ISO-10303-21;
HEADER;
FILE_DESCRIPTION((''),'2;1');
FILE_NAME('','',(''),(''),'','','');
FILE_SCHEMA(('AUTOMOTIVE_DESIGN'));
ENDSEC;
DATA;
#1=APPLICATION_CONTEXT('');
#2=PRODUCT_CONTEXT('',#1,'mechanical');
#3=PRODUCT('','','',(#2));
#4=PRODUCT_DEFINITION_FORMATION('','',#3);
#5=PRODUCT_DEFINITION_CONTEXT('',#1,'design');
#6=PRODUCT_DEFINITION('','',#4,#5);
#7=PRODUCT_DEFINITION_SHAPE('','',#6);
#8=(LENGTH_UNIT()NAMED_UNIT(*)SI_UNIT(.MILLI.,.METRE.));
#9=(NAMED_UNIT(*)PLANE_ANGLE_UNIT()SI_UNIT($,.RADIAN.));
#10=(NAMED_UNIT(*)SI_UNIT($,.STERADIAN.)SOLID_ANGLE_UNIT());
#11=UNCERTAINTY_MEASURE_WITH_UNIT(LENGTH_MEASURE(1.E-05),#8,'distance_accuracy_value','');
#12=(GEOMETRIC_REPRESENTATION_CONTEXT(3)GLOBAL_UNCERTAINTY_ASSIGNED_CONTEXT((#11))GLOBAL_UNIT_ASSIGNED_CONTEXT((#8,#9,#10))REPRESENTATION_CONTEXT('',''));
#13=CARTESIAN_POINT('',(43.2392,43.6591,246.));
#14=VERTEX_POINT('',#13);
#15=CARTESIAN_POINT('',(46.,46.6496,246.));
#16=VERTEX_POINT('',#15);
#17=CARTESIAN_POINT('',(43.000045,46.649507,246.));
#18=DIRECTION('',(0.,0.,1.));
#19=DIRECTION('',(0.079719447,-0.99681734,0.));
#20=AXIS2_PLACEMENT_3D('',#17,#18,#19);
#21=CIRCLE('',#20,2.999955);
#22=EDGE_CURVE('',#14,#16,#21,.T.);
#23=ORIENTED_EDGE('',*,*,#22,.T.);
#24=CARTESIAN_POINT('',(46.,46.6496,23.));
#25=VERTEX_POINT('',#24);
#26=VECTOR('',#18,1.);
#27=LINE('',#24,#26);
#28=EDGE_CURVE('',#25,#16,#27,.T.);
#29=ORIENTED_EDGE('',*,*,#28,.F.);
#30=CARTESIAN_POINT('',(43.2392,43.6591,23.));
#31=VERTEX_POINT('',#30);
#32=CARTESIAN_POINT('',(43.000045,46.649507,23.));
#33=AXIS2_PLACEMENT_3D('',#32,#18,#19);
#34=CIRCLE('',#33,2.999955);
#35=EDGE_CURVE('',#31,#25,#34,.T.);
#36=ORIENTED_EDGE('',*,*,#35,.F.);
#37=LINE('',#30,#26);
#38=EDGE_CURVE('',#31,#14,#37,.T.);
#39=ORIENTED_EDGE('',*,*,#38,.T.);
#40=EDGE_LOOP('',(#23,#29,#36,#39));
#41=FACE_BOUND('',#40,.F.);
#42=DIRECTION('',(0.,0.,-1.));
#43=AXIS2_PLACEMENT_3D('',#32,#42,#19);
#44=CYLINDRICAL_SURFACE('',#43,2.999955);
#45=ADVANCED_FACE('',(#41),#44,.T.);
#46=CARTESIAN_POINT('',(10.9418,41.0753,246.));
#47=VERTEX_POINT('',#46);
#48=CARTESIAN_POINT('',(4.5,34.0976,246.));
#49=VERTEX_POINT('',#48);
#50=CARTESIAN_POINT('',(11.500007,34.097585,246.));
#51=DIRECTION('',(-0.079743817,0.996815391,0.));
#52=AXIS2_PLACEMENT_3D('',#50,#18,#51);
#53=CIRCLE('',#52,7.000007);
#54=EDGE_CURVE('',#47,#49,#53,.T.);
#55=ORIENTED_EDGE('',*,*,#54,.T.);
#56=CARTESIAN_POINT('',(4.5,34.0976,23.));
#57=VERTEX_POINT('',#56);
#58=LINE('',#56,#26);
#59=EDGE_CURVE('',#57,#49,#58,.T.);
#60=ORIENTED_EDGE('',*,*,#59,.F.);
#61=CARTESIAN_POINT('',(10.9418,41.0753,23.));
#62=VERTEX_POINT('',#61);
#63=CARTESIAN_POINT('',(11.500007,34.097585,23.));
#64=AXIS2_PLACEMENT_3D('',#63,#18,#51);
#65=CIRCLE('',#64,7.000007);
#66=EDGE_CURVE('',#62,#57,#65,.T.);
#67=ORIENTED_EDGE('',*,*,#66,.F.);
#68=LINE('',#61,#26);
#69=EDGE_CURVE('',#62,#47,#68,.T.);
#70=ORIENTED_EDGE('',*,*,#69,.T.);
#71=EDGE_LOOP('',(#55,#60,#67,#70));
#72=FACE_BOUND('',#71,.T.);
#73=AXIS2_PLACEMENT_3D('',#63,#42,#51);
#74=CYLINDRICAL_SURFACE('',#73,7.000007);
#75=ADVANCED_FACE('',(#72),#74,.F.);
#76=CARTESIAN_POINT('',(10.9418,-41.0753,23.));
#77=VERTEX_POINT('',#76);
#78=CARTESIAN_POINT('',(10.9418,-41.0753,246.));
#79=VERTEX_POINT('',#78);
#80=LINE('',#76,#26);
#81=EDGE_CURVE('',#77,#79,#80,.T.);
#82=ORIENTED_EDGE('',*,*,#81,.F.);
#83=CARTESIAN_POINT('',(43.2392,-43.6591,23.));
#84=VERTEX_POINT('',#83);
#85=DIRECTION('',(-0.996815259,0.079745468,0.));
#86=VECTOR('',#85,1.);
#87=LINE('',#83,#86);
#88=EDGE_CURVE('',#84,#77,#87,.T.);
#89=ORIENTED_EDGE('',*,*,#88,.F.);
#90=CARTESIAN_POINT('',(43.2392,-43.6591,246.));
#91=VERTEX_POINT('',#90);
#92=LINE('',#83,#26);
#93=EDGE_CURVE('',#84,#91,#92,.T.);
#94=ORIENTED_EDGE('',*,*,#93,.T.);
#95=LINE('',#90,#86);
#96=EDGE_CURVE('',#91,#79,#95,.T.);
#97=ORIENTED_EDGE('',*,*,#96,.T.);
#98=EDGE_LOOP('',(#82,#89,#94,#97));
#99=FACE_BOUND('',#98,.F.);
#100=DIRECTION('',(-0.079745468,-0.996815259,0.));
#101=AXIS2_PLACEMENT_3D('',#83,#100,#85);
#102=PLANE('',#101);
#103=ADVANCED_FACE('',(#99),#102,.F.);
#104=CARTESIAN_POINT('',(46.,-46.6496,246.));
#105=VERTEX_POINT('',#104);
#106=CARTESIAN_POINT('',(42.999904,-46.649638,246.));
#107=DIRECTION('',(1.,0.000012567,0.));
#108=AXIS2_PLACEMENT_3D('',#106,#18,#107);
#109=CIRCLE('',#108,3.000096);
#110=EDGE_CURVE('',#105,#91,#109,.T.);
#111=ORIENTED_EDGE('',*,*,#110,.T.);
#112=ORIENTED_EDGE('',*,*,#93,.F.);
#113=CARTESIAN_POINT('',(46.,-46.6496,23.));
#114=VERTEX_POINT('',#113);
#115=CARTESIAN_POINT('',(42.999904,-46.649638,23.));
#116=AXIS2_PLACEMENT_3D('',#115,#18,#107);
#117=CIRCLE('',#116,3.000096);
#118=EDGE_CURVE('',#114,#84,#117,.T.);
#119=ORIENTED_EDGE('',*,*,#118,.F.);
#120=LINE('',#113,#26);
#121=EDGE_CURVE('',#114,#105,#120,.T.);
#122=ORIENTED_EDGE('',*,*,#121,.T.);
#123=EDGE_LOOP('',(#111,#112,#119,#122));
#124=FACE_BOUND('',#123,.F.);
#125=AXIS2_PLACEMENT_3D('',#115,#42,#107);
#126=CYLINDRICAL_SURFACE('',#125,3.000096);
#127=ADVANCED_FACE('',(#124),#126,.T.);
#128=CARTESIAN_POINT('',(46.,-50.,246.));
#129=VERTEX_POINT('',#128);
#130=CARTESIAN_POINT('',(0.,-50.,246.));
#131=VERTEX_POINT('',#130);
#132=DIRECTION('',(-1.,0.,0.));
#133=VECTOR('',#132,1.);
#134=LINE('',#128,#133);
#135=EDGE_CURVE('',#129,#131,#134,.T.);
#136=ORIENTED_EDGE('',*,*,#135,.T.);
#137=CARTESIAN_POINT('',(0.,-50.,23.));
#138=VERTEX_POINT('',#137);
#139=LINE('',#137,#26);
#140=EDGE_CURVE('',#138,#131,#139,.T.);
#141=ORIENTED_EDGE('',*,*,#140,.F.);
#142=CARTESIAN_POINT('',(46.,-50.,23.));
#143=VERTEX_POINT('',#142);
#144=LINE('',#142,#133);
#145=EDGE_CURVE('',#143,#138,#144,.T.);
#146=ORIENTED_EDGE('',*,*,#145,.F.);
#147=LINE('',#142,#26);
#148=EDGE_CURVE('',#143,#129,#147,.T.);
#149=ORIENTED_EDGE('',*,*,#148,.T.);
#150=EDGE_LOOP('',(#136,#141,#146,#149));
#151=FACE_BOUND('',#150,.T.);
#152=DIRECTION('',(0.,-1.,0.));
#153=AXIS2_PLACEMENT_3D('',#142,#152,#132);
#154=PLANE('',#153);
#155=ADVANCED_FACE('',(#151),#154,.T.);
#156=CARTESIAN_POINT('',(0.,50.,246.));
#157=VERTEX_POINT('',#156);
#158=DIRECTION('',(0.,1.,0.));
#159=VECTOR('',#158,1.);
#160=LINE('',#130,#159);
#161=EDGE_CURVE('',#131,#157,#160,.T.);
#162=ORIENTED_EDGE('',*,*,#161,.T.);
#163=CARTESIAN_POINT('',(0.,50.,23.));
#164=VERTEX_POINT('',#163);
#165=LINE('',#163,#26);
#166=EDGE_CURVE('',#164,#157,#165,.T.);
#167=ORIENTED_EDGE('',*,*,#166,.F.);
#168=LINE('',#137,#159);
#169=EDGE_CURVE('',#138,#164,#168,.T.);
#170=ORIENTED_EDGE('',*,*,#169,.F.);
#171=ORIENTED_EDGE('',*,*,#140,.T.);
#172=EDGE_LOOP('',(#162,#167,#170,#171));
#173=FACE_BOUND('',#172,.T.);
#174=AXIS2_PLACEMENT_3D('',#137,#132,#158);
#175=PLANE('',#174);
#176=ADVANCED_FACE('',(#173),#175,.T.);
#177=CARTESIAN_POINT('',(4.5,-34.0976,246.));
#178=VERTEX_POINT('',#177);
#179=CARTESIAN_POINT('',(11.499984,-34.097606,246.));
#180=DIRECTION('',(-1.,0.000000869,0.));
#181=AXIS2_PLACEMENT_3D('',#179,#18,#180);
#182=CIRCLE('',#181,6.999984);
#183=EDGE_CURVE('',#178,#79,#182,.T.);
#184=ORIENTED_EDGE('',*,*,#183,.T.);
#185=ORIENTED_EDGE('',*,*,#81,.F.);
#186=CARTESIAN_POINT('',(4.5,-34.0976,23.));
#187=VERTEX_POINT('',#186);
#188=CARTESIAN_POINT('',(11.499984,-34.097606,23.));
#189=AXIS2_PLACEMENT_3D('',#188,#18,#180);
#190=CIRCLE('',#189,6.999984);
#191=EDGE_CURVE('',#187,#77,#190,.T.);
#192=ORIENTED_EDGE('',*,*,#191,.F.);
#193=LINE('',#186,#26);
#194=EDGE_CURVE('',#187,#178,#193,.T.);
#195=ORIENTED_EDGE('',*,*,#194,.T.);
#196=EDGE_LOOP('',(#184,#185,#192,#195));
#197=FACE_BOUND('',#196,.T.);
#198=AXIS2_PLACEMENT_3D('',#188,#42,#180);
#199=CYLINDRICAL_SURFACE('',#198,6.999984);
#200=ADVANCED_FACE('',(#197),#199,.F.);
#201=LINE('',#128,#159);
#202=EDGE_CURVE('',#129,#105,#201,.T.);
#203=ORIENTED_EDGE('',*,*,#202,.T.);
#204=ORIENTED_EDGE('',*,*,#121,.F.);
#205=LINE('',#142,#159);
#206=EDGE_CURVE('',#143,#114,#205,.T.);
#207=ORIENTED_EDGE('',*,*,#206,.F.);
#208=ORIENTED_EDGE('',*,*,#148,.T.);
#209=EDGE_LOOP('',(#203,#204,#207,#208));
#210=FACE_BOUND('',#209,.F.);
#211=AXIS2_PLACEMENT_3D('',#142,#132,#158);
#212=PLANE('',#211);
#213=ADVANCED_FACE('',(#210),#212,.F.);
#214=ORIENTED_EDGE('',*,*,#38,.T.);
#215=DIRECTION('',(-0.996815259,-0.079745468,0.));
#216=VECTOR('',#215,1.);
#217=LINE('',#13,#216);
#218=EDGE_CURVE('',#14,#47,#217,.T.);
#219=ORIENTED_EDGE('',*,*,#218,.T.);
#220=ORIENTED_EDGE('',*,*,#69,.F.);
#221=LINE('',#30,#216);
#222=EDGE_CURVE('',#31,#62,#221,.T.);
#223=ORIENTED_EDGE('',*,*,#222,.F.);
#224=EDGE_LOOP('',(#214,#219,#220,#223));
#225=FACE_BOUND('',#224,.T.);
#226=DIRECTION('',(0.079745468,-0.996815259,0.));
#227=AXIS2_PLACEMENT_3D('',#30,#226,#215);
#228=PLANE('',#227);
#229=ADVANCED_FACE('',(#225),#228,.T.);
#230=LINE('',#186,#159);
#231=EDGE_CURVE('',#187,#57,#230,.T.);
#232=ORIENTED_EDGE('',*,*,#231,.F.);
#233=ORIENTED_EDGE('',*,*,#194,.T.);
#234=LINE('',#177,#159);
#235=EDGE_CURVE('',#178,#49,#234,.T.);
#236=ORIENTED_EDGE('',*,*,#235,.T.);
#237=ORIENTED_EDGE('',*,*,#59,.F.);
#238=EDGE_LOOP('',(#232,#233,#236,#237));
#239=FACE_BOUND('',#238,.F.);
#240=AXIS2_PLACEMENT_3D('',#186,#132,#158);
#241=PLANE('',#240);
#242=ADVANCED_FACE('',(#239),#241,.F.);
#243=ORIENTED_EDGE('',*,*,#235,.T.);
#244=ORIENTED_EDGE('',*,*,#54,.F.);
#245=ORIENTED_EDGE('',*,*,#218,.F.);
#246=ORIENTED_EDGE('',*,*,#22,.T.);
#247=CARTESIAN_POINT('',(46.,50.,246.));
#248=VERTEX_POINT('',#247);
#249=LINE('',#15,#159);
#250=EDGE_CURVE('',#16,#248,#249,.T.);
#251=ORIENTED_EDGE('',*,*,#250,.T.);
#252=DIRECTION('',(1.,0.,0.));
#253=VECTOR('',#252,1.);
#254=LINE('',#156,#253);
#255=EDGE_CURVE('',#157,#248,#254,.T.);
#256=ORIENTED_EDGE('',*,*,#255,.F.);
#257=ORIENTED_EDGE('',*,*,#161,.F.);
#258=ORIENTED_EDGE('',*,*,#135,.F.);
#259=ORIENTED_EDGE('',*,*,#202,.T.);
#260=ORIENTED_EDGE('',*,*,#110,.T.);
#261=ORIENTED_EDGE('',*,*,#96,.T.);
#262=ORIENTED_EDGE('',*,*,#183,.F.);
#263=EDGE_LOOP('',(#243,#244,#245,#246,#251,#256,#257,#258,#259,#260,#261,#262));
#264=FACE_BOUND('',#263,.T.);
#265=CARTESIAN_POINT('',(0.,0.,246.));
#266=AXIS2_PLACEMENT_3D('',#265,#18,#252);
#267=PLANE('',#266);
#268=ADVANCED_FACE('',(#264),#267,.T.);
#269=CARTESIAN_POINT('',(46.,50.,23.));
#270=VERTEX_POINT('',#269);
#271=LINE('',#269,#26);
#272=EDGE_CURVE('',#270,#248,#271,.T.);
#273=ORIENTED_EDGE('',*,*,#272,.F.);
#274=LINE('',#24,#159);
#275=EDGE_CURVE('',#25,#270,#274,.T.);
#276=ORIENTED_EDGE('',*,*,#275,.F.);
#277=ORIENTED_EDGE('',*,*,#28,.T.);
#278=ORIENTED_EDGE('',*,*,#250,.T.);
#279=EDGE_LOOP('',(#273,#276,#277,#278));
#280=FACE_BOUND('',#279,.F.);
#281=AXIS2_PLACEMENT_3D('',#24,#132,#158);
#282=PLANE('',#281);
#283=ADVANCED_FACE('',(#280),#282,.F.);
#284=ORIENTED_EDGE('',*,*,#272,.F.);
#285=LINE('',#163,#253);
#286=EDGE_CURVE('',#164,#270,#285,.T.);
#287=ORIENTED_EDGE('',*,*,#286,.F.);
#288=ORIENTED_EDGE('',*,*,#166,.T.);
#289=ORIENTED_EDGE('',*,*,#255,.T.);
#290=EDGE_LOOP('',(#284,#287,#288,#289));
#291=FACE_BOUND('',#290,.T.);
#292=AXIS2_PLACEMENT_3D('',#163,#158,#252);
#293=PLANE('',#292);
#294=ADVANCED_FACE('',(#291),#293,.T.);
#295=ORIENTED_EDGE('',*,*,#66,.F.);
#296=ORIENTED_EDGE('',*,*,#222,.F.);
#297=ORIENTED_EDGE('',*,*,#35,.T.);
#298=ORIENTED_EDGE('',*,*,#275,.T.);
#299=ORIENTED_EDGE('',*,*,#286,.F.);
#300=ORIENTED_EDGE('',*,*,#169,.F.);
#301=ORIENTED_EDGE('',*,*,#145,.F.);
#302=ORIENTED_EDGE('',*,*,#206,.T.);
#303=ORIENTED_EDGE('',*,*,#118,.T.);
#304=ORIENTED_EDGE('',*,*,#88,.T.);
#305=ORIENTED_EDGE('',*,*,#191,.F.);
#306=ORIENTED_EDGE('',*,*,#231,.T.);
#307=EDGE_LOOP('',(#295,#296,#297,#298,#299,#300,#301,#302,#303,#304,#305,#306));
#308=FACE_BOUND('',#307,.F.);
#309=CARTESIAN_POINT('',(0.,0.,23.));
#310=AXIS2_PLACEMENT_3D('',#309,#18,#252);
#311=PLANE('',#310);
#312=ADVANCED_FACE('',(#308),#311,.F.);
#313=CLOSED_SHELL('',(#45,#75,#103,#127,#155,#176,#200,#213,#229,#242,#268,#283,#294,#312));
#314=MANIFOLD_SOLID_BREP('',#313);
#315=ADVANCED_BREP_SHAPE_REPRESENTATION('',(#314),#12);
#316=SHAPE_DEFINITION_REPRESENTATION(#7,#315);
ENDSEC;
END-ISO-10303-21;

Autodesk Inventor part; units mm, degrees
ref_plane "Начальная плоскость" through (0, 0, 23) normal (0, 0, 1) x (1, 0, 0)
ref_plane "Конечная плоскость" through (0, 0, 246) normal (0, 0, 1) x (1, 0, 0)
sketch "Эскиз" plane through (0, 0, 0) normal (0, 0, 1) x (1, 0, 0)
  line L0 (46, -50) -> (0, -50)
  line L1 (46, -50) -> (46, -46.6496)
  line L2 (43.2392, -43.6591) -> (10.9418, -41.0753)
  line L3 (4.5, -34.0976) -> (4.5, 34.0976)
  line L4 (43.2392, 43.6591) -> (10.9418, 41.0753)
  line L5 (46, 46.6496) -> (46, 50)
  line L6 (0, 50) -> (46, 50)
  line L7 (0, -50) -> (0, 50)
  arc A0 (4.5, -34.0976) -> (10.9418, -41.0753) centre (11.5, -34.0976) ccw
  arc A1 (10.9418, 41.0753) -> (4.5, 34.0976) centre (11.5, 34.0976) ccw
  arc A2 (46, -46.6496) -> (43.2392, -43.6591) centre (43, -46.6496) ccw
  arc A3 (43.2392, 43.6591) -> (46, 46.6496) centre (43, 46.6496) ccw
  line L8 (0, 70) -> (0, -70) construction
  line L9 (-9.3169, 0) -> (55.9016, 0) construction
  point P0 (46, -43.88)
  point P1 (4.5, -40.56)
  point P2 (4.5, 40.56)
  point P3 (46, 43.88)
  dimension "d3" = 46
  dimension "d5" = 4.5
  dimension "d7" = 100
  dimension "d9" = 9.44
  dimension "d11" = 9.44
  dimension "d13" = 6.12
  dimension "d15" = 6.12
  dimension "d22" = 7
  dimension "d23" = 3
  dimension "d24" = 50
  dimension "d25" = 0
extrude "Тело" add sketch "Эскиз" along normal up to surface (223 mm away) from surface at 23
sketch "Sketch3" plane through (0, 0, 0) normal (0, 0, 1) x (1, 0, 0)
  line L0 (0, 0) -> (10, 0)
ref_plane "Work Plane7" through (0, 0, 0) normal (0, -1, 0) x (1, 0, 0)
sketch "Sketch4" plane through (0, 0, 0) normal (0, -1, 0) x (1, 0, 0)
  line L0 (-2, 23) -> (12, 23)
  line L1 (-2, 246) -> (12, 246)
  dimension "d29" = 223
ref_plane "РабПлоскость8" through (533, 50, 23) normal (0, 0, -1) x (-1, 0, 0)
split "Разделение1" plane through (533, 50, 23) removes the side toward (0, 0, -1)
ref_plane "РабПлоскость9" through (-117, 50, 246) normal (0, 0, 1) x (1, 0, 0)
split "Разделение2" plane through (-117, 50, 246) removes the side toward (0, 0, 1)
equation "\"d3\" = b"
equation "\"d5\" = t1"
equation "\"d7\" = ParH"
equation "\"d9\" = msp_x1 + t2"
equation "\"d11\" = msp_x1 + t2"
equation "\"d13\" = -msp_x2 + t2"
equation "\"d15\" = -msp_x2 + t2"
equation "\"d22\" = R"
equation "\"d23\" = R1"
equation "\"d24\" = 0.5 * d7"
equation "\"d16\" = G_L"
equation "\"R1\" = 3"
equation "\"R\" = 7"
equation "\"t1\" = 4.5"
equation "\"t2\" = 7.6"
equation "\"ParH\" = 100"
equation "\"b\" = 46"
equation "\"msp_x1\" = 0.04 * b"
equation "\"msp_x2\" = -0.08 * t1 + 0.04 * b"
equation "\"G_L\" = d29"
equation "\"ex\" = 0"
equation "\"G_OFFSET_START\" = -23"
equation "\"G_OFFSET_END\" = -23"
equation "\"d26\" = -G_OFFSET_START"
equation "\"d27\" = G_OFFSET_END + B_L"
equation "\"B_L\" = 269"
properties part number "Швеллер 10U-223 ГОСТ 8240-97" material "Сталь, мягкая"
